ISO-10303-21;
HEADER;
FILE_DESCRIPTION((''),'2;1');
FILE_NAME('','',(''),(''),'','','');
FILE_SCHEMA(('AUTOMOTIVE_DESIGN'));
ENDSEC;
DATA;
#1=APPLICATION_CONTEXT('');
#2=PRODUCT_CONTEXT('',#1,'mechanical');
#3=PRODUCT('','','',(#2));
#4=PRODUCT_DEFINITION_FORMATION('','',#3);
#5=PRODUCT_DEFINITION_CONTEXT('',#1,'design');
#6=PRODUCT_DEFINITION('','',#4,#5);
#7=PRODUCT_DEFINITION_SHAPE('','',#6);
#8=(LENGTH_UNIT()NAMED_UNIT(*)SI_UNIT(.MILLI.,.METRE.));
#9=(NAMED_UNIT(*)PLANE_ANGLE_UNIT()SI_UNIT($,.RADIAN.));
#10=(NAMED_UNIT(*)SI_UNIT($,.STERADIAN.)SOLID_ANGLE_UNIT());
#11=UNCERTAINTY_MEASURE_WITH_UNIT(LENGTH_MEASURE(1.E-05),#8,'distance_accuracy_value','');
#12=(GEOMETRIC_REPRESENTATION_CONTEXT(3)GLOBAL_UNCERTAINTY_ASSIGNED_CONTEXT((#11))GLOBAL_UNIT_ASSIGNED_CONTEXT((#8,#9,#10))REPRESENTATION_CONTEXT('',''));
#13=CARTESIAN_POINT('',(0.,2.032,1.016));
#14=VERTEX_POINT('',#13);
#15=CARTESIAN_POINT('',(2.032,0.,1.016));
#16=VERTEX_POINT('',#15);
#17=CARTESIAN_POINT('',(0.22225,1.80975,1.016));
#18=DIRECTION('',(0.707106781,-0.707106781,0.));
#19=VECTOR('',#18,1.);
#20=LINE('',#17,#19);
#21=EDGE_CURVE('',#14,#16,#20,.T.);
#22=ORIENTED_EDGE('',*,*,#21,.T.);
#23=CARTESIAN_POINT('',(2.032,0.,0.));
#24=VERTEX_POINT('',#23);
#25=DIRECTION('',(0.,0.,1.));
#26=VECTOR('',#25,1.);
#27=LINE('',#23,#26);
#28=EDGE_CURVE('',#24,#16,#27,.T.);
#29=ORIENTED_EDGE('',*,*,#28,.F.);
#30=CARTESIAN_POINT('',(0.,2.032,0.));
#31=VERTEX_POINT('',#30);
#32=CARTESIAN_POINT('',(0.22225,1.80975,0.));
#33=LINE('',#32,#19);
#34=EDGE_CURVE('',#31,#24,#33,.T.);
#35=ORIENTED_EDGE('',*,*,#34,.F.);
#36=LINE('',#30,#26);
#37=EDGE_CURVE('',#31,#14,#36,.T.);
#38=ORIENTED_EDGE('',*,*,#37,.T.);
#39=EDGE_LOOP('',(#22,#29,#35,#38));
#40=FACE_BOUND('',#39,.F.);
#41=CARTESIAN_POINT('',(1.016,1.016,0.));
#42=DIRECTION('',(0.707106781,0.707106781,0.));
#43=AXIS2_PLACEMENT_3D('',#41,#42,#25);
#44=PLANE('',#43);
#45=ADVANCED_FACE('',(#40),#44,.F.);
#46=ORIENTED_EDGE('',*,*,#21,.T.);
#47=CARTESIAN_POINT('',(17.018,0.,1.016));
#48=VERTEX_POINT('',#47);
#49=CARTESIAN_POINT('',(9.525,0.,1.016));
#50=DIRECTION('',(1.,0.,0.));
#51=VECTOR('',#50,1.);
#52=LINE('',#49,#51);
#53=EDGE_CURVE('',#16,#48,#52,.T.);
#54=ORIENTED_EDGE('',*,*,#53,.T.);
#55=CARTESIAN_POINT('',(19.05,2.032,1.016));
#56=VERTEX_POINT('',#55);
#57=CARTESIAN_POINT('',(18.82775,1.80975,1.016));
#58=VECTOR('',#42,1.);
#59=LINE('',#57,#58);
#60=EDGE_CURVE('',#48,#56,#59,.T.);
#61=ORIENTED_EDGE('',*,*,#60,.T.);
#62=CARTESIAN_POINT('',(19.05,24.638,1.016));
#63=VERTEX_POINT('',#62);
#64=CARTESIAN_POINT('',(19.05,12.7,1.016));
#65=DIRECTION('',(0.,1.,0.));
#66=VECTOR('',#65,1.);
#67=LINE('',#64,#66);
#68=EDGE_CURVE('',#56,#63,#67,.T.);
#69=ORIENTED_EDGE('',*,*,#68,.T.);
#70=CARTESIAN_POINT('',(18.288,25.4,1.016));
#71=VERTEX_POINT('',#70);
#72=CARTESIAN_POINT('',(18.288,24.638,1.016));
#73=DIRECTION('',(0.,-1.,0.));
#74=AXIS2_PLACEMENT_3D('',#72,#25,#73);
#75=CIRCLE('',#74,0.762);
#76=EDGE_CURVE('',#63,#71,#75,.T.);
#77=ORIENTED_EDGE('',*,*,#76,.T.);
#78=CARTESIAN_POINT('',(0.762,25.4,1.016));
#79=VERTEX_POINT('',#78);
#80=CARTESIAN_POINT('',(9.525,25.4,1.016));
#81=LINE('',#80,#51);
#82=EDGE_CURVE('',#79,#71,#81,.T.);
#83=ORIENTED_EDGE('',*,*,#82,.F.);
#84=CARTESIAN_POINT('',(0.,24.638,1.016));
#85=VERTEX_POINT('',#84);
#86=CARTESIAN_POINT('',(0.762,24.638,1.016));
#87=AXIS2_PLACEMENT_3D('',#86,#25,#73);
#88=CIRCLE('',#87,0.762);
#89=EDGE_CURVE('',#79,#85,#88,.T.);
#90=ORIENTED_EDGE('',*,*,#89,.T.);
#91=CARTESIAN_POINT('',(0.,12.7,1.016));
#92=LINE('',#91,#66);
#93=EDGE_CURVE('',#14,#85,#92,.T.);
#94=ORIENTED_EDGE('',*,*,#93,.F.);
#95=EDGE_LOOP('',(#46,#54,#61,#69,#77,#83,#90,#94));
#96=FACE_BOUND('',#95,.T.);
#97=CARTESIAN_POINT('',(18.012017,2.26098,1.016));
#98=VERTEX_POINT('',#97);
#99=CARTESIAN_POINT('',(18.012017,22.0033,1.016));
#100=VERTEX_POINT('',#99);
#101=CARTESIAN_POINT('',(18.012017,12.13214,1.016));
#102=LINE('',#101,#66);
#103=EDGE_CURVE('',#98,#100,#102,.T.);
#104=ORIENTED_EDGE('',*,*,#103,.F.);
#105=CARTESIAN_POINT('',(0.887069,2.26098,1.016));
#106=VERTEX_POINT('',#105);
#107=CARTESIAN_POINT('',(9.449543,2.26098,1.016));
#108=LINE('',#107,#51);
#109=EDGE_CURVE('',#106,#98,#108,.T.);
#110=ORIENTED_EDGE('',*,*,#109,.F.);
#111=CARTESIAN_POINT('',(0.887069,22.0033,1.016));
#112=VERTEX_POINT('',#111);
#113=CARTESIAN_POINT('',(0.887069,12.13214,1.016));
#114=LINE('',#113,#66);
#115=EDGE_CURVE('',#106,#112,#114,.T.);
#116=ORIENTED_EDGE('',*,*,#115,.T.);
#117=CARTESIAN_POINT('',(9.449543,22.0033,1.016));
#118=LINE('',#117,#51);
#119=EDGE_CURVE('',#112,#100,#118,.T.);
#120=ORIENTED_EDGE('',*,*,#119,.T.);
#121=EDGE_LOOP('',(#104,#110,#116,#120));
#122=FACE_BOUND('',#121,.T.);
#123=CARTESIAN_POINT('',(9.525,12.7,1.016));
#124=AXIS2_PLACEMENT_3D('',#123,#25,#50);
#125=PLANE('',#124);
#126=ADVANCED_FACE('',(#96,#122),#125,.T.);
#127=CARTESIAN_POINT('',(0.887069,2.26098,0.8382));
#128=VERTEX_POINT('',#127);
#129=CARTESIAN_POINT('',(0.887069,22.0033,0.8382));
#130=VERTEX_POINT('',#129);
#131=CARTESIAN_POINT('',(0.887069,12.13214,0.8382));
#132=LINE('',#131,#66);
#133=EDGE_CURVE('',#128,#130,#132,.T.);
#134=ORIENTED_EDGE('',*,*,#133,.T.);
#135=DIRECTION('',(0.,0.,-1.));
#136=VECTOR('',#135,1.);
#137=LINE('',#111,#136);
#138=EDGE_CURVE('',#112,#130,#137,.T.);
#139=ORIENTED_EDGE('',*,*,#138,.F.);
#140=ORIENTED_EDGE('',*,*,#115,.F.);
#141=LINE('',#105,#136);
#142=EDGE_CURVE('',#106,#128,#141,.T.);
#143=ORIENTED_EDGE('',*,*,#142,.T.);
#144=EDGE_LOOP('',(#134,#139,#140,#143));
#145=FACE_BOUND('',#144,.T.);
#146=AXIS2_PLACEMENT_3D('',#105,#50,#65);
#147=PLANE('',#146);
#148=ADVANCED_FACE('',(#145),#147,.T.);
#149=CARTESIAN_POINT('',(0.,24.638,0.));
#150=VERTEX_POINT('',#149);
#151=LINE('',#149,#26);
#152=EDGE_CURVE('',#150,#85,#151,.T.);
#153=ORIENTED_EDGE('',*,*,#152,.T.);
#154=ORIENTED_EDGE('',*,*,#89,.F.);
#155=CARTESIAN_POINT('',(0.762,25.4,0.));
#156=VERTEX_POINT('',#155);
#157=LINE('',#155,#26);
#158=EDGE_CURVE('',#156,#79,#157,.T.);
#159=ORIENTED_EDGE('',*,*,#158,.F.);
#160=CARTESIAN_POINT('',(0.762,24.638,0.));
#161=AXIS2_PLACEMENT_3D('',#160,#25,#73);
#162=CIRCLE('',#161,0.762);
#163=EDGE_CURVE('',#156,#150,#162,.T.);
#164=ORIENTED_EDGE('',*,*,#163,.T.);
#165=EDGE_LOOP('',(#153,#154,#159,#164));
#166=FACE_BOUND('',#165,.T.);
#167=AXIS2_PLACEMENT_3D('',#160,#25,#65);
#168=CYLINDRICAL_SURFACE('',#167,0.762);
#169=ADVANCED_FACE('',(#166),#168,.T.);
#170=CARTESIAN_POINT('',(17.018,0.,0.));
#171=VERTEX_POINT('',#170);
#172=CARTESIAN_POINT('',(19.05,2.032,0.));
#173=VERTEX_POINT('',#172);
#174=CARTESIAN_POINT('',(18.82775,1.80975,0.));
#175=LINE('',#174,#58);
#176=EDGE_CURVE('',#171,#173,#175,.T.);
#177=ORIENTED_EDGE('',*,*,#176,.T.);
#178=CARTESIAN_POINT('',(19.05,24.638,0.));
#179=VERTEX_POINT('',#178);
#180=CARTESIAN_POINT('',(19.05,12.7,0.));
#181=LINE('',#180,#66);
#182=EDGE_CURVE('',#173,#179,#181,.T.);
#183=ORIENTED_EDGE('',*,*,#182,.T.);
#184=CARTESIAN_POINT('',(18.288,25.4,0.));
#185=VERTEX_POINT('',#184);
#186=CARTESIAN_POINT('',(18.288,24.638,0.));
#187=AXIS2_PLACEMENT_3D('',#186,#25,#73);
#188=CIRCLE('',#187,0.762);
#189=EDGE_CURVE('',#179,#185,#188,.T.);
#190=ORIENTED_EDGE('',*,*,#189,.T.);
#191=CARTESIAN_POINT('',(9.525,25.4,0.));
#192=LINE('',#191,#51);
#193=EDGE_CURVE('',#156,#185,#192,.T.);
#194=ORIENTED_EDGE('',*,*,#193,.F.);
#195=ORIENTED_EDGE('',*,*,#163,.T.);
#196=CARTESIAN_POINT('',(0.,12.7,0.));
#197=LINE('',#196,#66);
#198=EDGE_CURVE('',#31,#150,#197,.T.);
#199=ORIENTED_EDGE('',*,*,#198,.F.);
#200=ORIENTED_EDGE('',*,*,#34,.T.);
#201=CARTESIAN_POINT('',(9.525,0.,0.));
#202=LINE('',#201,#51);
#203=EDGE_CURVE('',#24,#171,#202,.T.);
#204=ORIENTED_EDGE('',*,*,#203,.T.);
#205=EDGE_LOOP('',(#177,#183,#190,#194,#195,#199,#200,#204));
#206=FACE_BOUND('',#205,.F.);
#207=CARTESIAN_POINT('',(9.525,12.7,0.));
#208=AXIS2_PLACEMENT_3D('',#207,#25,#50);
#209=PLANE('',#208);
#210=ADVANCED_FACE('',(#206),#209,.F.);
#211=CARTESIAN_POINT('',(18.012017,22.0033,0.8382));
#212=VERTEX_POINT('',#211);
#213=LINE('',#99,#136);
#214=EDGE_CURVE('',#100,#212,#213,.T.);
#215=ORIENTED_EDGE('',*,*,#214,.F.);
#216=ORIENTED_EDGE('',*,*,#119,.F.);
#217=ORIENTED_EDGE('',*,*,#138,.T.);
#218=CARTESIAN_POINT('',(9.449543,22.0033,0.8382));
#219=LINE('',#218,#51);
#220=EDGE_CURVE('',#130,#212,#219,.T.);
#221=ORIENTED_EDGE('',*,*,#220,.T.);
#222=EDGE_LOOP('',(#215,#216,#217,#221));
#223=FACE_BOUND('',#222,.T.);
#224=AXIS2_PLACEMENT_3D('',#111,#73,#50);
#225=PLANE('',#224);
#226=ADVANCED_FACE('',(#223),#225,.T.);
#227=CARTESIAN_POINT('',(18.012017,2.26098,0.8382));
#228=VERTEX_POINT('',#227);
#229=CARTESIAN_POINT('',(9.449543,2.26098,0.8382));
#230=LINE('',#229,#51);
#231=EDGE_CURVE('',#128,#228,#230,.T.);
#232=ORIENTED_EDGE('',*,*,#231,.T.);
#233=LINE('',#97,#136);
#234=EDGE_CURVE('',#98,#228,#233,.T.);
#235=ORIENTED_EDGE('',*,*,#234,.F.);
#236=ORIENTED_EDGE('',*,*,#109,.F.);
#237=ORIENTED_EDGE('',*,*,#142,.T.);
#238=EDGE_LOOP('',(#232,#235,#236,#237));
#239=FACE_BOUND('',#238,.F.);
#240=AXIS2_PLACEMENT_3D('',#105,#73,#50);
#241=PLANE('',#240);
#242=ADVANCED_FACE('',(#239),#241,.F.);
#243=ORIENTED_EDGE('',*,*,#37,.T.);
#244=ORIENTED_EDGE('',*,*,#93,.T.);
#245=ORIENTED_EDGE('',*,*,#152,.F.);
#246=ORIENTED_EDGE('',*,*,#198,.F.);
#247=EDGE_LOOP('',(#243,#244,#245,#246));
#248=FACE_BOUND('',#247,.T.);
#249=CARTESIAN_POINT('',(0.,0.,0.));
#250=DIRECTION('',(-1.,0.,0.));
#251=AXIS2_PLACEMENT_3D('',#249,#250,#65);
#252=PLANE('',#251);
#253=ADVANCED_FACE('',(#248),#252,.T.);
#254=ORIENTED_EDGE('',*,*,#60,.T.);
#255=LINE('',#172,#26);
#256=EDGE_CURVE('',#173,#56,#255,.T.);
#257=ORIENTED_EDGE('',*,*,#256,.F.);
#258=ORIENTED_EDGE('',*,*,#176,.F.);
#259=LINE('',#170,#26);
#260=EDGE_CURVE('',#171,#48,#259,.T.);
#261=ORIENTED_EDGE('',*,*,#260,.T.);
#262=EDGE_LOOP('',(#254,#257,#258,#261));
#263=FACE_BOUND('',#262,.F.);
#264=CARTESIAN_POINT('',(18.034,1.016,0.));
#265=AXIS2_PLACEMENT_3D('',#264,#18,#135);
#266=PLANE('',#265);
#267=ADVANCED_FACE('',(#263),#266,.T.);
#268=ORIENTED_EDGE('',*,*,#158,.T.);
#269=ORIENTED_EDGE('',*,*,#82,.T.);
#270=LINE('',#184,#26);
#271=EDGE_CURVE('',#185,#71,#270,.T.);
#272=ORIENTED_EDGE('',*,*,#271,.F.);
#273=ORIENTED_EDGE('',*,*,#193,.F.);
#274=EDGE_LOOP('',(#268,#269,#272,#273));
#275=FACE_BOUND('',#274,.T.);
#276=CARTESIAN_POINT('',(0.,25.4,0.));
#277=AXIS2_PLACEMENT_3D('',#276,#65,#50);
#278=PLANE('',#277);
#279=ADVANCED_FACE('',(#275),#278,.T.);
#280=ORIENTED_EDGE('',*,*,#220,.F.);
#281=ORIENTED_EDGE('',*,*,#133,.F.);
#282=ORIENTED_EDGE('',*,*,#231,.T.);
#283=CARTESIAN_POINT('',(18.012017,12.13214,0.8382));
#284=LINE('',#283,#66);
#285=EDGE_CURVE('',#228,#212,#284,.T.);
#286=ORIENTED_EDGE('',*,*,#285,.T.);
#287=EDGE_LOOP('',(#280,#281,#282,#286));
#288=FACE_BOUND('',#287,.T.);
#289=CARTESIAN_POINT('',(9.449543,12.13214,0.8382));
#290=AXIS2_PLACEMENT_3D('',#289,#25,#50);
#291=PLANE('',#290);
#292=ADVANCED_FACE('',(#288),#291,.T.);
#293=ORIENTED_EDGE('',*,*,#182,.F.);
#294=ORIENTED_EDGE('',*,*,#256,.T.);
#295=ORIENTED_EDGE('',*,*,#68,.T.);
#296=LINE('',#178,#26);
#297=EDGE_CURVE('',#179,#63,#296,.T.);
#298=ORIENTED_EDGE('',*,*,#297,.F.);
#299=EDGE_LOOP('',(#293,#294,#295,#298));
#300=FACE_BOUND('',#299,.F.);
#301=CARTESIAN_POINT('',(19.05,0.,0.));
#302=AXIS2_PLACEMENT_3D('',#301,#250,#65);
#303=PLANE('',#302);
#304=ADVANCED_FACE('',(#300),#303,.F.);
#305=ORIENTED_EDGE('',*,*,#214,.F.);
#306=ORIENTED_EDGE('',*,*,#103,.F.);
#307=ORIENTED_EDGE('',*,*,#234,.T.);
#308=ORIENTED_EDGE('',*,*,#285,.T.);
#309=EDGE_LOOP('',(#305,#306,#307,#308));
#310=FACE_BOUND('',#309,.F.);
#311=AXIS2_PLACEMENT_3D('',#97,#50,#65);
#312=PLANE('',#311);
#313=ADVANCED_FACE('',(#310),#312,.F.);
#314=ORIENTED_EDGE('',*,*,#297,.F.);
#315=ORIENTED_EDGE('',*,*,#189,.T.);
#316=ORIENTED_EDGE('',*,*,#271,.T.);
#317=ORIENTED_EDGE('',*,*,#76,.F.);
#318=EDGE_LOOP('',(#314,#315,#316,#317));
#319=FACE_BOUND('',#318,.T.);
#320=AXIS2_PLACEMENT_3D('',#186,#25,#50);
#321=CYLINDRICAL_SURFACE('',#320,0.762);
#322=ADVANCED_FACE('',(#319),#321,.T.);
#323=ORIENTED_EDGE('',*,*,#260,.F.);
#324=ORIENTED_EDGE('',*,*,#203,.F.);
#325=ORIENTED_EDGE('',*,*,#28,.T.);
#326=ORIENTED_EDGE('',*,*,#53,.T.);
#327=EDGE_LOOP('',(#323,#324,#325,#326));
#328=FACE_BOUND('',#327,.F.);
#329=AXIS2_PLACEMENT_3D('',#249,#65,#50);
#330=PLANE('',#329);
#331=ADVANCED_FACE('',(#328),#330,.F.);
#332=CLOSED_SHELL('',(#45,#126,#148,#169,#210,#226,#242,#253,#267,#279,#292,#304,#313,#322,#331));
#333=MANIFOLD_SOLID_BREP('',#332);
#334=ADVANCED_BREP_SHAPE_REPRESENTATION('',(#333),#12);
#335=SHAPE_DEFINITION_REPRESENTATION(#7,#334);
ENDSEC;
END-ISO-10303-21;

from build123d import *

# Parameters (mm, degrees)
F0_W     = 19.05
F0_H     = 25.4
F1_DEPTH = 1.016
F2_SIZE  = 2.032
F3_SIZE  = 2.032
F4_R     = 0.762
F5_R     = 0.762
F6_W     = 17.124948
F6_H     = 19.74232
F7_DEPTH = 0.1778


with BuildPart() as f1:
    # F0 (on Top) → F1 (new body)
    with BuildSketch(Plane.XY):
        with Locations((9.525, 12.7)):
            Rectangle(F0_W, F0_H)
    extrude(amount=F1_DEPTH)

    # F2
    f2_edges = [f1.edges().sort_by_distance(p)[0] for p in [
        (0, 0, 0.508),
    ]]
    chamfer(f2_edges, length=F2_SIZE)

    # F3
    f3_edges = [f1.edges().sort_by_distance(p)[0] for p in [
        (19.05, 0, 0.508),
    ]]
    chamfer(f3_edges, length=F3_SIZE)

    # F4
    f4_edges = [f1.edges().sort_by_distance(p)[0] for p in [
        (19.05, 25.4, 0.508),
    ]]
    fillet(f4_edges, radius=F4_R)

    # F5
    f5_edges = [f1.edges().sort_by_distance(p)[0] for p in [
        (0, 25.4, 0.508),
    ]]
    fillet(f5_edges, radius=F5_R)

    # F6 (on face) → F7 (cut)
    with BuildSketch(Plane.XY.offset(1.016)):
        with Locations((9.449543, 12.13214)):
            Rectangle(F6_W, F6_H)
    extrude(amount=-F7_DEPTH, mode=Mode.SUBTRACT)


solid = f1.part
